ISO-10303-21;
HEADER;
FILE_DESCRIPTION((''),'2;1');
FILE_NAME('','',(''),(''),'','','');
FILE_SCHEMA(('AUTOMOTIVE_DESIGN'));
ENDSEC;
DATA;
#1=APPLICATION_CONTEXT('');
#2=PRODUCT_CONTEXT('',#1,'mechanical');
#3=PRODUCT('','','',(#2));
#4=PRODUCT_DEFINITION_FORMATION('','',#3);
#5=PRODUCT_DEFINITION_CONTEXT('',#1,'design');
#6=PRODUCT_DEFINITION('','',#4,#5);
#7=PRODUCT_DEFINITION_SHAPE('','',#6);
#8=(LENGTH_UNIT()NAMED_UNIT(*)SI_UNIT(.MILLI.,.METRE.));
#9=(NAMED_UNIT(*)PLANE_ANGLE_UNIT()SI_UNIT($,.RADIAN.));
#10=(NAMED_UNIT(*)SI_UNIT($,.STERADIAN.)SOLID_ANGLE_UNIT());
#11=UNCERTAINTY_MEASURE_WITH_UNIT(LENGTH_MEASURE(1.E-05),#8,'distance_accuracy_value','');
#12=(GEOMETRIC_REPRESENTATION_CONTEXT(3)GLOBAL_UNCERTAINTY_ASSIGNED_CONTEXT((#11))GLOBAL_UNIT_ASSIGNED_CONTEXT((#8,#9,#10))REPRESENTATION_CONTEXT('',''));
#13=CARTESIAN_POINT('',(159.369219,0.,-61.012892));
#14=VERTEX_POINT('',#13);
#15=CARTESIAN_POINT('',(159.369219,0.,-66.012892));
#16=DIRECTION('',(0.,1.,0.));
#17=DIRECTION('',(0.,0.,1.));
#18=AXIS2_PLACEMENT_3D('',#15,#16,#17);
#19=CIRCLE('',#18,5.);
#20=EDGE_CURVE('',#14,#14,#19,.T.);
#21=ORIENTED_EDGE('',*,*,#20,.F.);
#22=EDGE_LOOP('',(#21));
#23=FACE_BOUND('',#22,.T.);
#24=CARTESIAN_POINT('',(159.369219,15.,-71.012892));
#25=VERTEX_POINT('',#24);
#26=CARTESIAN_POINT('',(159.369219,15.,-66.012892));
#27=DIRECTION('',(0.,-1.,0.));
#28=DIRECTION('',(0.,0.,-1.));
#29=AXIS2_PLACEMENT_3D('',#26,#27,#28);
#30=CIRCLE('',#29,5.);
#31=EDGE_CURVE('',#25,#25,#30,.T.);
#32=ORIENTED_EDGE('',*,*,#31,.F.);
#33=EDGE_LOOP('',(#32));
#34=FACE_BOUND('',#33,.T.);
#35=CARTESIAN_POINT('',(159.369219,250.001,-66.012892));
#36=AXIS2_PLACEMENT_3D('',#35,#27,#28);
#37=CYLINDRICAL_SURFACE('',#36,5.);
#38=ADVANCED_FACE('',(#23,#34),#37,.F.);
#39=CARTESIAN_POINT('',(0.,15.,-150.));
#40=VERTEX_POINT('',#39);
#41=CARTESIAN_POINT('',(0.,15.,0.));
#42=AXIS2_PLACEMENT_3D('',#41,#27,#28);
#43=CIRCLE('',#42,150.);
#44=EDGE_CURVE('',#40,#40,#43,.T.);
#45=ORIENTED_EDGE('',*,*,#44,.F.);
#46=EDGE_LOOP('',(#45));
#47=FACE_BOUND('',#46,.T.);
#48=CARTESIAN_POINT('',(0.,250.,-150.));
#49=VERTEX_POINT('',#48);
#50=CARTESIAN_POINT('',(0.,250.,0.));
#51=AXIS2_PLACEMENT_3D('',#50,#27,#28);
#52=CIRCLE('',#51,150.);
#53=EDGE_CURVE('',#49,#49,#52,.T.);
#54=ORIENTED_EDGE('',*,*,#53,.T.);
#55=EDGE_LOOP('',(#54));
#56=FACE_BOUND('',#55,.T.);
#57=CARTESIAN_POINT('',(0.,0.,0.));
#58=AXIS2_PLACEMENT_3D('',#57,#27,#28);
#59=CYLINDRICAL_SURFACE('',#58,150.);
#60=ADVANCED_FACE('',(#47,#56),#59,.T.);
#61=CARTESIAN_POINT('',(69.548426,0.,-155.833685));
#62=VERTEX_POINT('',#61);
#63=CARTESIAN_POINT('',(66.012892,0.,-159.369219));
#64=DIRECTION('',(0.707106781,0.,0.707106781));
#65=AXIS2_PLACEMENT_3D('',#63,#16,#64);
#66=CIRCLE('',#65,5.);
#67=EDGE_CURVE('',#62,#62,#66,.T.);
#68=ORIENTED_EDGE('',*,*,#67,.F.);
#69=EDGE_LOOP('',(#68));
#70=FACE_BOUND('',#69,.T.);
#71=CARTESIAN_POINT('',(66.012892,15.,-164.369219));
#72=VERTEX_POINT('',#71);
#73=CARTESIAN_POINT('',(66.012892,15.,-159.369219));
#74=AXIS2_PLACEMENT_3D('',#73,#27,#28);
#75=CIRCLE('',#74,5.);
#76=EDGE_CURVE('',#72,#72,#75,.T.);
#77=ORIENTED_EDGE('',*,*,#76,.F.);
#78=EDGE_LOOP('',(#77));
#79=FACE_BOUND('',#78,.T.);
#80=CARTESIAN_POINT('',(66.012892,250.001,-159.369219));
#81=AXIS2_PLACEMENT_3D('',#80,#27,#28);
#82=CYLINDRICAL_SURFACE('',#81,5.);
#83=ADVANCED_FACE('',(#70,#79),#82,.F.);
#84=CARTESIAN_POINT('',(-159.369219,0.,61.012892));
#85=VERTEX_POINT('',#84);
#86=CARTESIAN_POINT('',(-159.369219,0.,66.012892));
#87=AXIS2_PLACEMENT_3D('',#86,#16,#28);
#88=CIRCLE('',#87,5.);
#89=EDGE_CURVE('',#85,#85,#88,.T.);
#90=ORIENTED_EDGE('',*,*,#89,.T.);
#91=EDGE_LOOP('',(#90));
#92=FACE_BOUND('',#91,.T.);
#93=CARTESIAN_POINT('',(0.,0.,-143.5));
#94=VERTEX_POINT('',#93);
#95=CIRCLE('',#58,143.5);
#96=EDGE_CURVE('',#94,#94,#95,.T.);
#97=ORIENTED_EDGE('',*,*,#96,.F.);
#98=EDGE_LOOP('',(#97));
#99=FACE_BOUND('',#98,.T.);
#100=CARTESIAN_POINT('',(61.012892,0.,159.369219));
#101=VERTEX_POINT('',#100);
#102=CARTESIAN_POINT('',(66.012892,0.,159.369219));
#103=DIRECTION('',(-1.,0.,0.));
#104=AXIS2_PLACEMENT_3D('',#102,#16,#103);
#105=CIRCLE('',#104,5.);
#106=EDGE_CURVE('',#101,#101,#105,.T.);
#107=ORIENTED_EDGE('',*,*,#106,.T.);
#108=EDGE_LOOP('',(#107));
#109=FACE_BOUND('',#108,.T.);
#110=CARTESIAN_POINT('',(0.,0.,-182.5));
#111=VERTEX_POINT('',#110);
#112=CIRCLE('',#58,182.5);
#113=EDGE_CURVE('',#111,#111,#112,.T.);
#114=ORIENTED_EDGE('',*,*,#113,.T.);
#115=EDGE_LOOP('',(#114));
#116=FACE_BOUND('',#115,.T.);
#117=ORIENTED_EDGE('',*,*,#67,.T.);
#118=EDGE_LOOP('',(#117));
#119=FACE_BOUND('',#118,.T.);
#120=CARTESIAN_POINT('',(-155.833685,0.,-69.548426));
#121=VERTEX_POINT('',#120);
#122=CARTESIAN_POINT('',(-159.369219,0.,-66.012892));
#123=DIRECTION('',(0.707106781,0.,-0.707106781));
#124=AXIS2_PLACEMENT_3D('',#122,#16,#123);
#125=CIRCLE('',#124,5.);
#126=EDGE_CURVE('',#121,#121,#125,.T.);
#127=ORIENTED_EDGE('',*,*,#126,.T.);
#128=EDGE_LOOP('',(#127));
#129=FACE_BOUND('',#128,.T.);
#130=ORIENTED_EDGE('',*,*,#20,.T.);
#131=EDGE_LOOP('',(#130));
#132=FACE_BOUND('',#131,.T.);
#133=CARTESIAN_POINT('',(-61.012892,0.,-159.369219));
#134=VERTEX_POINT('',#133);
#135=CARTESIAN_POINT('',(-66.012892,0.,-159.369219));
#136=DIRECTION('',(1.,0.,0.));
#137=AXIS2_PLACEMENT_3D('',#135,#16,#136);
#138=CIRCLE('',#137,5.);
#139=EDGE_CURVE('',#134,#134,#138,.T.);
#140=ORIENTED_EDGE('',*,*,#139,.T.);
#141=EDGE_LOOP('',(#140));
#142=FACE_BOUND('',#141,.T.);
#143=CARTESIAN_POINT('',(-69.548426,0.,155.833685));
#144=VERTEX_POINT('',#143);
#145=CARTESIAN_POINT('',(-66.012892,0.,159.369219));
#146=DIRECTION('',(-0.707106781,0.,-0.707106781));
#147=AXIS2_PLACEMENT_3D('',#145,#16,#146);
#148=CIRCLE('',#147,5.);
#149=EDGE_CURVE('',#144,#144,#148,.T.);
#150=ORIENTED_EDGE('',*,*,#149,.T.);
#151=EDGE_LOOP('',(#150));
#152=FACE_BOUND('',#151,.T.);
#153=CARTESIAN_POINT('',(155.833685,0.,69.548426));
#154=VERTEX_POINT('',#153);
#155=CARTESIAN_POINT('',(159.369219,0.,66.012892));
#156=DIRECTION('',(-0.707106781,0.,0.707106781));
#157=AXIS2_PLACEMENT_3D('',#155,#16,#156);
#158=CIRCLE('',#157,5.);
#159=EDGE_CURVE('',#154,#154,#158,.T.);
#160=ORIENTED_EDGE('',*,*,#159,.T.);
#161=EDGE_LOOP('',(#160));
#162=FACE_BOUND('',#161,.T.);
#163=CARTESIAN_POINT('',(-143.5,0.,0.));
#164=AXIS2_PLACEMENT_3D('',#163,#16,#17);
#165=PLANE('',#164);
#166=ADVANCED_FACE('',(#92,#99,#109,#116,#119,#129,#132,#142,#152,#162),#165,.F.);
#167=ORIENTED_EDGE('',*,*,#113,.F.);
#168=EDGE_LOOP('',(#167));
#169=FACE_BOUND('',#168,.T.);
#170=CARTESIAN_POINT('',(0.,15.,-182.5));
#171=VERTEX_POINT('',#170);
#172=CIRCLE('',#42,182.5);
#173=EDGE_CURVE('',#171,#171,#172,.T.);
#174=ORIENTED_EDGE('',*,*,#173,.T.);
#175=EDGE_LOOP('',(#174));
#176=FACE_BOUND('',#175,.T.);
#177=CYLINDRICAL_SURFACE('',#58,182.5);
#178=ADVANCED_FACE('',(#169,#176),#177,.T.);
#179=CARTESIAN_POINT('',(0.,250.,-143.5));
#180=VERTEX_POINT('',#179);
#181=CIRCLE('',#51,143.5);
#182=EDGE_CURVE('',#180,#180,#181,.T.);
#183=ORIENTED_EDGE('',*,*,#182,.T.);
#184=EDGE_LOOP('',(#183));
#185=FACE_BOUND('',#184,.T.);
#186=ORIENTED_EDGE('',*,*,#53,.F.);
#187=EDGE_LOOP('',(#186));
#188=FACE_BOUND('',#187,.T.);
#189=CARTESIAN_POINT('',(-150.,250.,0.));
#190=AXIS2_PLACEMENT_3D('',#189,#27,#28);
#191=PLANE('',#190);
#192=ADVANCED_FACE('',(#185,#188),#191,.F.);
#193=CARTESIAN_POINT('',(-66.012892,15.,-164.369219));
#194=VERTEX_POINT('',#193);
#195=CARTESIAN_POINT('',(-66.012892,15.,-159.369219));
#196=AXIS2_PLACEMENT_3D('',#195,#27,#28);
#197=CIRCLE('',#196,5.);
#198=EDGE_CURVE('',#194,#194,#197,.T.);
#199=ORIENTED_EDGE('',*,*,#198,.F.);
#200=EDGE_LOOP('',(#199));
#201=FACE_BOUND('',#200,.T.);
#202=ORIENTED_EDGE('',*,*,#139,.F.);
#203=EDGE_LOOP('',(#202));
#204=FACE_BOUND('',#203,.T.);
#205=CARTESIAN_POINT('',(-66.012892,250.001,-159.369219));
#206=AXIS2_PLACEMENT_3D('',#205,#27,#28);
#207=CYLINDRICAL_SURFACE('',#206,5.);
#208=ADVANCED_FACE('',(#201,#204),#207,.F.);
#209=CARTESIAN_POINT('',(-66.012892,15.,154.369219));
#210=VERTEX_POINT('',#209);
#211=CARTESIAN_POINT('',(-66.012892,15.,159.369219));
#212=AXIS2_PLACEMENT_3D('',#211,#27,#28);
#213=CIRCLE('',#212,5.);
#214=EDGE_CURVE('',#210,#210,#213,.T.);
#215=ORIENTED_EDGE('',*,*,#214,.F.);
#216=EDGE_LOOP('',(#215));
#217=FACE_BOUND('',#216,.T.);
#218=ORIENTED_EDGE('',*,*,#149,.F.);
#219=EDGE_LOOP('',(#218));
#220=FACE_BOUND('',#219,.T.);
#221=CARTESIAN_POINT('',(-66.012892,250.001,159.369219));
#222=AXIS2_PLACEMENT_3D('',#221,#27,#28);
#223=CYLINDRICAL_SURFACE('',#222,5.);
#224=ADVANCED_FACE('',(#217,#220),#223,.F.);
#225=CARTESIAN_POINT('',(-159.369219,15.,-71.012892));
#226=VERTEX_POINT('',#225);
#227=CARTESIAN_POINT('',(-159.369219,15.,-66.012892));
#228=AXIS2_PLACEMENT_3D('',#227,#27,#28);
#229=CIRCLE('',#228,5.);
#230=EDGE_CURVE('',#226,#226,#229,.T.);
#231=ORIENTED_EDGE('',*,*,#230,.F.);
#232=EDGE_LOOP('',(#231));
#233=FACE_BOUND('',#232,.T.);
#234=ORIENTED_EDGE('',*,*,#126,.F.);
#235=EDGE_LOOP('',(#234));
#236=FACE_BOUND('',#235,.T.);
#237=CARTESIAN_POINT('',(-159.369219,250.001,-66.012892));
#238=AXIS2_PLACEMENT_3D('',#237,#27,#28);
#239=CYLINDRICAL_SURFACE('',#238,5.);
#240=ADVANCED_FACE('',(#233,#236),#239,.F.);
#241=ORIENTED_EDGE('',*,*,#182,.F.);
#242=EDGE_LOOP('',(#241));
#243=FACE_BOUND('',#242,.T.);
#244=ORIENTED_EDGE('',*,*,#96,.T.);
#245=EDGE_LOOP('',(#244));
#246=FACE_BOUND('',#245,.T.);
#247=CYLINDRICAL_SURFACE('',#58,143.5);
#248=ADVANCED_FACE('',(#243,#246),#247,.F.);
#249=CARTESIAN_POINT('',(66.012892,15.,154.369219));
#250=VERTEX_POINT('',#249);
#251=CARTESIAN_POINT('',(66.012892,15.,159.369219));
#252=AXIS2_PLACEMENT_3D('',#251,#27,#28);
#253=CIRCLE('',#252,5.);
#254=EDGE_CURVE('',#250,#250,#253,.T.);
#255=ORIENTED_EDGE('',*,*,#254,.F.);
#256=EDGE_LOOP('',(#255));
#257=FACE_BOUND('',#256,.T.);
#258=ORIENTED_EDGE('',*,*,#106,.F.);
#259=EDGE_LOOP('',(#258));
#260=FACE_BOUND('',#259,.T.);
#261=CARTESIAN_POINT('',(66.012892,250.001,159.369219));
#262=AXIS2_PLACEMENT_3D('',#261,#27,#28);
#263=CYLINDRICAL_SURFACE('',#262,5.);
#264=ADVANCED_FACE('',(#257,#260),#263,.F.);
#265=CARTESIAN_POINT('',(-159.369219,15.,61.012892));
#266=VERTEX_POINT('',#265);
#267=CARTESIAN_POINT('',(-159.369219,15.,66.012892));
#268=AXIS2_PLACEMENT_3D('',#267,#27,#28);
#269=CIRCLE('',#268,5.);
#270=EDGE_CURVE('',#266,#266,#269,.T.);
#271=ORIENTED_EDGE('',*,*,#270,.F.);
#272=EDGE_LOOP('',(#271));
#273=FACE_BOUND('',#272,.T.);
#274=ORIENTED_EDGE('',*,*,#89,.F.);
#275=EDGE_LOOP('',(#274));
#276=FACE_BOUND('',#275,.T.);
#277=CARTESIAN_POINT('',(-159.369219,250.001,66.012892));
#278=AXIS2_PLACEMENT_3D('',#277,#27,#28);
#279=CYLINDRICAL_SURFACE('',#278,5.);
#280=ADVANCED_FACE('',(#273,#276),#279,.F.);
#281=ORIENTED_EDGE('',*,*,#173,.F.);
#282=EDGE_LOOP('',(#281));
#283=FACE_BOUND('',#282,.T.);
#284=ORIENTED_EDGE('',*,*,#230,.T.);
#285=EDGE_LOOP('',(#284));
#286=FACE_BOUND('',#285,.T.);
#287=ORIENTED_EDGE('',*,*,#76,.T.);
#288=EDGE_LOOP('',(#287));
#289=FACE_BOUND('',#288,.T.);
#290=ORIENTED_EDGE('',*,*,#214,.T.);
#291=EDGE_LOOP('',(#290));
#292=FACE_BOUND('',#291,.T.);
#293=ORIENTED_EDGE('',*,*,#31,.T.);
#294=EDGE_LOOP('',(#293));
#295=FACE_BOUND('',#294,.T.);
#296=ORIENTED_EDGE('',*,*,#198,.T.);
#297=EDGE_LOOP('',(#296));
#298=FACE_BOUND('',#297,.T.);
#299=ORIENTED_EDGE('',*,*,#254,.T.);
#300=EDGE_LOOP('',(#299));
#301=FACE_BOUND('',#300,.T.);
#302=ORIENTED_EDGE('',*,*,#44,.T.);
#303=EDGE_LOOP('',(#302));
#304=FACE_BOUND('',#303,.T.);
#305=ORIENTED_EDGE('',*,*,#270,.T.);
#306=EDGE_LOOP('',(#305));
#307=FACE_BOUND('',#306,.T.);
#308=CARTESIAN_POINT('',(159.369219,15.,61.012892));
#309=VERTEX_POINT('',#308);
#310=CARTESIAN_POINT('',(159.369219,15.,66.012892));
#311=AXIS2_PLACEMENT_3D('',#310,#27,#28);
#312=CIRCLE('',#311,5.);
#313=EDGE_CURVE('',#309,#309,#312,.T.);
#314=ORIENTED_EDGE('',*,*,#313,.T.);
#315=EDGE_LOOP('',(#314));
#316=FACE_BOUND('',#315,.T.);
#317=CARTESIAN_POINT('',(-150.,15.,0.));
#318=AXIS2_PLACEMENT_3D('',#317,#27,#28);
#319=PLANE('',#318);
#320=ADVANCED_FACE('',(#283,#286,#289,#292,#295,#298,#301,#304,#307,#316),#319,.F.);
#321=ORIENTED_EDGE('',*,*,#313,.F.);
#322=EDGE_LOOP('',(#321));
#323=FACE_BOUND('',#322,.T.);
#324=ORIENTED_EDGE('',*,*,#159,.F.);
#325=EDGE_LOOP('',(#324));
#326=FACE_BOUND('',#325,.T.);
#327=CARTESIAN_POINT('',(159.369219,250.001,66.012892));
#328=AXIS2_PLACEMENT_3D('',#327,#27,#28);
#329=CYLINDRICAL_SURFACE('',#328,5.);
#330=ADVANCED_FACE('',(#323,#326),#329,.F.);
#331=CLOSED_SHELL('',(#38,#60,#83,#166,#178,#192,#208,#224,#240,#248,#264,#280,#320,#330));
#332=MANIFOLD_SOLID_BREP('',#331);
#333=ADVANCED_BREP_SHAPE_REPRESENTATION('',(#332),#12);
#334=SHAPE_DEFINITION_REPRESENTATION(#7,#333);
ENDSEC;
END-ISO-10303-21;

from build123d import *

# Parameters (mm, degrees)
SKETCH_3_R               = 5
CUT_EXTRUDE_1_DEPTH      = 15
PATTERN_CIRCULAR_1_COUNT = 8


with BuildPart() as part:
    # 스케치2 → 회전1 (revolve)
    with BuildSketch(Plane.XY, mode=Mode.PRIVATE) as revolve_1_sk:
        Polygon((-182.5, 0), (-182.5, 15), (-150, 15), (-150, 250), (-143.5, 250), (-143.5, 0), align=None)
    revolve(revolve_1_sk.sketch.rotate(Axis((0, 0, 0), (0, 1, 0)), 270), axis=Axis((0, 0, 0), (0, 1, 0)))  # turned: the seam where the file's is

    # 스케치3 → 컷-돌출1 (cut)
    with BuildSketch(Plane(origin=(0, 0, 0), x_dir=(1, 0, 0), z_dir=(0, 1, 0))):
        with Locations(Location((159.369219358, 66.012892083, 0), (0, 0, 90))):  # turned: the seam where the file's is
            Circle(SKETCH_3_R)
    cut_extrude_1 = extrude(amount=CUT_EXTRUDE_1_DEPTH, mode=Mode.SUBTRACT)

    # 원형 패턴1: 컷-돌출1 ×8 about axis
    pattern_circular_1_axis = Axis((0, 0, 0), (0, 1, 0))
    for i in range(1, PATTERN_CIRCULAR_1_COUNT):
        add(cut_extrude_1.rotate(pattern_circular_1_axis, i * 360 / PATTERN_CIRCULAR_1_COUNT), mode=Mode.SUBTRACT)


solid = part.part
